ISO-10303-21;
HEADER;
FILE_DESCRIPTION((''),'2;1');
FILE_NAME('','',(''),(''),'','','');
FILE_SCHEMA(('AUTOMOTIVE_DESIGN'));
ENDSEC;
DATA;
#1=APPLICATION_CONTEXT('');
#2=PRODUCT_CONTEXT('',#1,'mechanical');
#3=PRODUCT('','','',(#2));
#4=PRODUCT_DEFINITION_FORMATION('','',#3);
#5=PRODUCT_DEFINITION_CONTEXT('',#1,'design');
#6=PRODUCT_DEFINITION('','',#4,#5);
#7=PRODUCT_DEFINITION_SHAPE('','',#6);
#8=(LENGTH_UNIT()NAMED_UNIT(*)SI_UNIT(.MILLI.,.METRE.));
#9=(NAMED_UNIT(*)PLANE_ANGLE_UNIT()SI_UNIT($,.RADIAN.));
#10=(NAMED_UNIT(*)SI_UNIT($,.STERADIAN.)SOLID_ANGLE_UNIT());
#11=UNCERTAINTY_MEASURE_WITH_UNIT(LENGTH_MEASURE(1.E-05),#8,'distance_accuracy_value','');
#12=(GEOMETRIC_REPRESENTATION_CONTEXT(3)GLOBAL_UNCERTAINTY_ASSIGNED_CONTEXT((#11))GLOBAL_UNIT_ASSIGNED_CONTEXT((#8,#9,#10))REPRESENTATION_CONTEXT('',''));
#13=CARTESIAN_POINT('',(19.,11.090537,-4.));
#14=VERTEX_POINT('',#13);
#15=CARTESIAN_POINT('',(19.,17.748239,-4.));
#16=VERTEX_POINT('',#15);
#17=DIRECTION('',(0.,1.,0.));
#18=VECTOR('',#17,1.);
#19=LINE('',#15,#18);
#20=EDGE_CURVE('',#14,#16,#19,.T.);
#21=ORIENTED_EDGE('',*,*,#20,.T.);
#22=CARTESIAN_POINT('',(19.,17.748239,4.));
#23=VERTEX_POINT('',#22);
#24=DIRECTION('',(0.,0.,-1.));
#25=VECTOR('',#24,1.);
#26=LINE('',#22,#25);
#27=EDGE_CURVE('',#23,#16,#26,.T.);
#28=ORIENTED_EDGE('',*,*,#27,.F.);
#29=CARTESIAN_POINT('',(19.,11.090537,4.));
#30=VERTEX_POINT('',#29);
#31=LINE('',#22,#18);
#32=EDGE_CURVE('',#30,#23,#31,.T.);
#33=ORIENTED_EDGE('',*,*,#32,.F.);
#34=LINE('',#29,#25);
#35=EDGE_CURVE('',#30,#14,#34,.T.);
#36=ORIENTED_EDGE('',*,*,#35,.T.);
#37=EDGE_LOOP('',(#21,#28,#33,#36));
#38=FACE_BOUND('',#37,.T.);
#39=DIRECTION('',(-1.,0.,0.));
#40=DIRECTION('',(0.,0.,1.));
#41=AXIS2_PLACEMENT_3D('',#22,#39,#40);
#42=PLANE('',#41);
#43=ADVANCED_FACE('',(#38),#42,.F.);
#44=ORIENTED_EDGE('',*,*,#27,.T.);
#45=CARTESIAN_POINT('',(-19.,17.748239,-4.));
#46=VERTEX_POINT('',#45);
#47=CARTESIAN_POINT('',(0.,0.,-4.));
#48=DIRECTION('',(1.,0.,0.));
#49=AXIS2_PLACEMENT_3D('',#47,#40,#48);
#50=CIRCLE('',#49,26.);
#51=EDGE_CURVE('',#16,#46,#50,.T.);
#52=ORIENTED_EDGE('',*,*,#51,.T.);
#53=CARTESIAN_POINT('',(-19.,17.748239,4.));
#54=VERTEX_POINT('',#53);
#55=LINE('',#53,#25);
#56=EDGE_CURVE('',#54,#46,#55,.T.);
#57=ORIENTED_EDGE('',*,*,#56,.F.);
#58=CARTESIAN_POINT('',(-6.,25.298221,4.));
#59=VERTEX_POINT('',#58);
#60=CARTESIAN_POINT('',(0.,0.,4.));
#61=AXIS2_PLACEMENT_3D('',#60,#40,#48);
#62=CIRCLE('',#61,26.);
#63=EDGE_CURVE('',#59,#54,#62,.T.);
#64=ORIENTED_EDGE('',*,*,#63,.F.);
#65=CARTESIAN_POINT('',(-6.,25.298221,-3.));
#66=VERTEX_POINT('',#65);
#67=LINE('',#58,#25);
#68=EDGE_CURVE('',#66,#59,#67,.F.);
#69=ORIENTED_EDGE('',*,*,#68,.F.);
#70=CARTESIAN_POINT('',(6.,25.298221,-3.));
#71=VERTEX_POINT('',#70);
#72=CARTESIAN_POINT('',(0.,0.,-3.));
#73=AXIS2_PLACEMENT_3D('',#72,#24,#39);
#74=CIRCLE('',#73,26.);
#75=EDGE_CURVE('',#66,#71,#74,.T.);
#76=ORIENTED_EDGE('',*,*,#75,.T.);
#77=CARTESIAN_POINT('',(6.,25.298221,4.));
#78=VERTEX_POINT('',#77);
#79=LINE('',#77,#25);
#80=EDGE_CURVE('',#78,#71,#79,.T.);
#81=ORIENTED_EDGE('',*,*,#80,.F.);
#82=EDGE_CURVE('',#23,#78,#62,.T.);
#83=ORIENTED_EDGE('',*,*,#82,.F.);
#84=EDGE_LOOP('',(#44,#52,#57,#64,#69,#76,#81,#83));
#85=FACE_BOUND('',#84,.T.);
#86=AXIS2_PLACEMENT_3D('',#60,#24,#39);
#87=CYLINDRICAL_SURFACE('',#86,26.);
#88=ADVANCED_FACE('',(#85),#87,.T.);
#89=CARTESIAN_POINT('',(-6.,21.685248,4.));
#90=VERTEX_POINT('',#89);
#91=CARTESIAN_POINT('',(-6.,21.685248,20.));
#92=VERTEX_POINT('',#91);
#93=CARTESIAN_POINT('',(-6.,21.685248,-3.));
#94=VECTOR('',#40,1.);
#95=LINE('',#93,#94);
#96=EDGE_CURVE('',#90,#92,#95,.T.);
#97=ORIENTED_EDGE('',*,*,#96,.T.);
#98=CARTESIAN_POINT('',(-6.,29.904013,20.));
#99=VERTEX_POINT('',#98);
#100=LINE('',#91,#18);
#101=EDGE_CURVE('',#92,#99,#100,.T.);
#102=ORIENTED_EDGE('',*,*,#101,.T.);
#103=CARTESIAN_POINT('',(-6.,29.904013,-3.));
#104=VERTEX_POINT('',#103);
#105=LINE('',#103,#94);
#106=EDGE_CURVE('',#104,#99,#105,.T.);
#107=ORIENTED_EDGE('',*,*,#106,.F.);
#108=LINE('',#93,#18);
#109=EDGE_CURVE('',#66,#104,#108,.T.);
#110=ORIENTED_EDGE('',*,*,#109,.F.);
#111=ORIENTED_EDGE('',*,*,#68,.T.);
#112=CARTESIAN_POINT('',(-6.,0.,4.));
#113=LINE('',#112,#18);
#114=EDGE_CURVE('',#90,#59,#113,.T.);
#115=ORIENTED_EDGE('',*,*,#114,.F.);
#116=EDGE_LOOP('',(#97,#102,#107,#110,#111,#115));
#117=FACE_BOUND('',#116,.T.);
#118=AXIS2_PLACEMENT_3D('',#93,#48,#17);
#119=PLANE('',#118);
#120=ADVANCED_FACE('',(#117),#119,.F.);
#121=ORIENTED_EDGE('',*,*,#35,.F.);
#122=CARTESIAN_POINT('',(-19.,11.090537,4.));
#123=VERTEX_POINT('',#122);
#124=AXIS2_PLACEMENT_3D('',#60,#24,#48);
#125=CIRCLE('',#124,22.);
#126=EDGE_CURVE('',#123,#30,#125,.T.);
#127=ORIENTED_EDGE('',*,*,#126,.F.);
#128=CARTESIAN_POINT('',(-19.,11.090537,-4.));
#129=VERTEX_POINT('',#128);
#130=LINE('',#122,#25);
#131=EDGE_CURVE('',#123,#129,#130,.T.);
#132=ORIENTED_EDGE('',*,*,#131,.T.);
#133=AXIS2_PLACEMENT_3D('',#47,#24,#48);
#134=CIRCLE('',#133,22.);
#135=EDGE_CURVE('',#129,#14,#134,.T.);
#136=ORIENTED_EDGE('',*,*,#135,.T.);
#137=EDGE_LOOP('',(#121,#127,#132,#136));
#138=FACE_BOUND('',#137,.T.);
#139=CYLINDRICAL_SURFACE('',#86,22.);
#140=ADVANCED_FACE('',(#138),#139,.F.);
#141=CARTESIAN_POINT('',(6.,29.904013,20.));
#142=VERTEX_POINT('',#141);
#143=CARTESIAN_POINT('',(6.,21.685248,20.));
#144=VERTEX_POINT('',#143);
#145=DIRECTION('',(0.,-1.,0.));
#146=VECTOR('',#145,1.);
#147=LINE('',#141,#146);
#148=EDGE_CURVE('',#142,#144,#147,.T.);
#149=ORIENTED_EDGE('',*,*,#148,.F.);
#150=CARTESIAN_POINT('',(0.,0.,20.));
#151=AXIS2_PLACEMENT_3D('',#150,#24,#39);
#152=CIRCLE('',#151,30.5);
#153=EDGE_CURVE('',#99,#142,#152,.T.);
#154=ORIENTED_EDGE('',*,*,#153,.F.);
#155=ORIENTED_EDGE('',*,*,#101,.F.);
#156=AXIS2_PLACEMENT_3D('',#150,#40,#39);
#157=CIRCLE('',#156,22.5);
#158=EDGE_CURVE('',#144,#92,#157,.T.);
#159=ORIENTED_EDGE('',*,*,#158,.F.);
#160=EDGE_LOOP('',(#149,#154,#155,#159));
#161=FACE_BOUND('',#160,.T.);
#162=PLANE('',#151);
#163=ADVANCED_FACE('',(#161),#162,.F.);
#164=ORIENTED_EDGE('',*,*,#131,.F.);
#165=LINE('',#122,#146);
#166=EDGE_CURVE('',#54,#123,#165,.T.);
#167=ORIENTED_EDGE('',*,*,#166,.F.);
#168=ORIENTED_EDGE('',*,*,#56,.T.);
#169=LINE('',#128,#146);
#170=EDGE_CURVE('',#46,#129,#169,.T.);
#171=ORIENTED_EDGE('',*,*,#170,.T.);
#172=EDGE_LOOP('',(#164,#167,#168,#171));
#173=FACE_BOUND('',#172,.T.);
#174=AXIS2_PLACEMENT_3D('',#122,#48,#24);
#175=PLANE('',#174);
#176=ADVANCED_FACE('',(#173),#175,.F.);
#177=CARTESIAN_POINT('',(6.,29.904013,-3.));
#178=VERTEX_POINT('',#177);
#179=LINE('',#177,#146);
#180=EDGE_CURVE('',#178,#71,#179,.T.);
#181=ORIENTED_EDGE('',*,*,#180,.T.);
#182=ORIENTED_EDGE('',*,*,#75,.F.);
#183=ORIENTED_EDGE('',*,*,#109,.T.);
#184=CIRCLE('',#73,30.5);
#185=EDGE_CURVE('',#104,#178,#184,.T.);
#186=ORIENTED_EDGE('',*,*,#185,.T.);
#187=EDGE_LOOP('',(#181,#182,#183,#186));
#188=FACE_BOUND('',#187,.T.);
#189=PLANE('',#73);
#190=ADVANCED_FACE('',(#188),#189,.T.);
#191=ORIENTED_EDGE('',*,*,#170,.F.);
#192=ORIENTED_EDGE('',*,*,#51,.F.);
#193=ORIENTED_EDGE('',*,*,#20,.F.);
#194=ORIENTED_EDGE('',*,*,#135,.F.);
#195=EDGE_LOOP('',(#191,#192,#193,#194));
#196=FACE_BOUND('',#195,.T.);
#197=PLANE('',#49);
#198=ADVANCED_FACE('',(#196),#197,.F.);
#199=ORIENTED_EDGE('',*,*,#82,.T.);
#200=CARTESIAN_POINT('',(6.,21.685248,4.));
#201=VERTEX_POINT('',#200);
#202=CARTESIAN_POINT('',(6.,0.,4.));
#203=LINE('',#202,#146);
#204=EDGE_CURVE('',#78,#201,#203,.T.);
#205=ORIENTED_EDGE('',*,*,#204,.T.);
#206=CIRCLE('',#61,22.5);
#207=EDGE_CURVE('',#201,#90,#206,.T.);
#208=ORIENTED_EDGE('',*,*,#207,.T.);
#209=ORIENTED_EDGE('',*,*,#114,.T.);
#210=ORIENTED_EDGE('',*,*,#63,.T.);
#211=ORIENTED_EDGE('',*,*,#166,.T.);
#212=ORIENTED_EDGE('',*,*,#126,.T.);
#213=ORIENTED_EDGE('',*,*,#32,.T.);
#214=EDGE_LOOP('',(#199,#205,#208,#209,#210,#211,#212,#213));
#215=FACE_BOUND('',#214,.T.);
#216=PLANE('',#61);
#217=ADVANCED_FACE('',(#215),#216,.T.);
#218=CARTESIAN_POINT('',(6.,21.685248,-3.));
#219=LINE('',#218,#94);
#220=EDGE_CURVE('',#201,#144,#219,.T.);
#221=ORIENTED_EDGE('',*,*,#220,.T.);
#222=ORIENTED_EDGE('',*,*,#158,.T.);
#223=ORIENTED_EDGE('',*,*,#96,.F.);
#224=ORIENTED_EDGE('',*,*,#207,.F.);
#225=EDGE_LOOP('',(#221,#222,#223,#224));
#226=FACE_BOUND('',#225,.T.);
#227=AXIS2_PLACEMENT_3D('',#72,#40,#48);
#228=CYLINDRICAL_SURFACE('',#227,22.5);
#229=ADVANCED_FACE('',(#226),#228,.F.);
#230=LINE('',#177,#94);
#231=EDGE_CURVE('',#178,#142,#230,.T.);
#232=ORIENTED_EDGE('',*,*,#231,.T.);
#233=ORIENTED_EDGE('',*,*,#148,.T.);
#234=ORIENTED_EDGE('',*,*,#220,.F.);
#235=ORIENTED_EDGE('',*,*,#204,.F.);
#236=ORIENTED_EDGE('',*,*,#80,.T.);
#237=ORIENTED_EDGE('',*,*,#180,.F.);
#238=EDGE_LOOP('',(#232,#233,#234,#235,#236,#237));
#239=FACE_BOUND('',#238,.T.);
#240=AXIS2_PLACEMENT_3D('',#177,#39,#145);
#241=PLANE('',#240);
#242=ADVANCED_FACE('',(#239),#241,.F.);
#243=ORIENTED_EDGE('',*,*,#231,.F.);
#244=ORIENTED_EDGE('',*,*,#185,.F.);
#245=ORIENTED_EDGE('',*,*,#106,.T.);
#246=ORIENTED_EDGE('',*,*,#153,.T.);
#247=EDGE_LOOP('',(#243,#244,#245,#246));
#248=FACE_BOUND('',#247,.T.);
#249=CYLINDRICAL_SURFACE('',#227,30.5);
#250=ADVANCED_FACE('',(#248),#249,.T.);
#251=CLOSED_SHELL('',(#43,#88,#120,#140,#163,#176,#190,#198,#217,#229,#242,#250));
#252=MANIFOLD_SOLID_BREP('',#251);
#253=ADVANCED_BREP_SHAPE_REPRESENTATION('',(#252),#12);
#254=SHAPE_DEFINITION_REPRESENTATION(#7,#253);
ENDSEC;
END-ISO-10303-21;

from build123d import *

# Parameters (mm, degrees)
EXTRUDE1_DEPTH      = 4
EXTRUDE2_DEPTH      = 7
EXTRUDE2_DEPTH_BACK = 16


with BuildPart() as part:
    # Sketch1 → Extrude1 (new, symmetric)
    with BuildSketch(Plane.XY):
        with BuildLine():
            Line((-19, 11.090536506), (-19, 17.748239349))
            ThreePointArc((-19, 17.748239349), (0, 26), (19, 17.748239349))
            Line((19, 17.748239349), (19, 11.090536506))
            ThreePointArc((19, 11.090536506), (0, 22), (-19, 11.090536506))
        make_face()
    extrude(amount=EXTRUDE1_DEPTH, both=True)

    # Sketch2 → Extrude2 (add, two sides: drawn at the far end of the back side and taken through both)
    with BuildSketch(Plane(origin=(0, 0, 4), x_dir=(-1, 0, 0), z_dir=(0, 0, -1)).offset(-EXTRUDE2_DEPTH_BACK)):
        with BuildLine():
            Line((6, 21.685248442), (6, 29.904013109))
            ThreePointArc((6, 29.904013109), (0, 30.5), (-6, 29.904013109))
            Line((-6, 29.904013109), (-6, 21.685248442))
            ThreePointArc((-6, 21.685248442), (0, 22.5), (6, 21.685248442))
        make_face()
    extrude(amount=EXTRUDE2_DEPTH + EXTRUDE2_DEPTH_BACK)


solid = part.part
